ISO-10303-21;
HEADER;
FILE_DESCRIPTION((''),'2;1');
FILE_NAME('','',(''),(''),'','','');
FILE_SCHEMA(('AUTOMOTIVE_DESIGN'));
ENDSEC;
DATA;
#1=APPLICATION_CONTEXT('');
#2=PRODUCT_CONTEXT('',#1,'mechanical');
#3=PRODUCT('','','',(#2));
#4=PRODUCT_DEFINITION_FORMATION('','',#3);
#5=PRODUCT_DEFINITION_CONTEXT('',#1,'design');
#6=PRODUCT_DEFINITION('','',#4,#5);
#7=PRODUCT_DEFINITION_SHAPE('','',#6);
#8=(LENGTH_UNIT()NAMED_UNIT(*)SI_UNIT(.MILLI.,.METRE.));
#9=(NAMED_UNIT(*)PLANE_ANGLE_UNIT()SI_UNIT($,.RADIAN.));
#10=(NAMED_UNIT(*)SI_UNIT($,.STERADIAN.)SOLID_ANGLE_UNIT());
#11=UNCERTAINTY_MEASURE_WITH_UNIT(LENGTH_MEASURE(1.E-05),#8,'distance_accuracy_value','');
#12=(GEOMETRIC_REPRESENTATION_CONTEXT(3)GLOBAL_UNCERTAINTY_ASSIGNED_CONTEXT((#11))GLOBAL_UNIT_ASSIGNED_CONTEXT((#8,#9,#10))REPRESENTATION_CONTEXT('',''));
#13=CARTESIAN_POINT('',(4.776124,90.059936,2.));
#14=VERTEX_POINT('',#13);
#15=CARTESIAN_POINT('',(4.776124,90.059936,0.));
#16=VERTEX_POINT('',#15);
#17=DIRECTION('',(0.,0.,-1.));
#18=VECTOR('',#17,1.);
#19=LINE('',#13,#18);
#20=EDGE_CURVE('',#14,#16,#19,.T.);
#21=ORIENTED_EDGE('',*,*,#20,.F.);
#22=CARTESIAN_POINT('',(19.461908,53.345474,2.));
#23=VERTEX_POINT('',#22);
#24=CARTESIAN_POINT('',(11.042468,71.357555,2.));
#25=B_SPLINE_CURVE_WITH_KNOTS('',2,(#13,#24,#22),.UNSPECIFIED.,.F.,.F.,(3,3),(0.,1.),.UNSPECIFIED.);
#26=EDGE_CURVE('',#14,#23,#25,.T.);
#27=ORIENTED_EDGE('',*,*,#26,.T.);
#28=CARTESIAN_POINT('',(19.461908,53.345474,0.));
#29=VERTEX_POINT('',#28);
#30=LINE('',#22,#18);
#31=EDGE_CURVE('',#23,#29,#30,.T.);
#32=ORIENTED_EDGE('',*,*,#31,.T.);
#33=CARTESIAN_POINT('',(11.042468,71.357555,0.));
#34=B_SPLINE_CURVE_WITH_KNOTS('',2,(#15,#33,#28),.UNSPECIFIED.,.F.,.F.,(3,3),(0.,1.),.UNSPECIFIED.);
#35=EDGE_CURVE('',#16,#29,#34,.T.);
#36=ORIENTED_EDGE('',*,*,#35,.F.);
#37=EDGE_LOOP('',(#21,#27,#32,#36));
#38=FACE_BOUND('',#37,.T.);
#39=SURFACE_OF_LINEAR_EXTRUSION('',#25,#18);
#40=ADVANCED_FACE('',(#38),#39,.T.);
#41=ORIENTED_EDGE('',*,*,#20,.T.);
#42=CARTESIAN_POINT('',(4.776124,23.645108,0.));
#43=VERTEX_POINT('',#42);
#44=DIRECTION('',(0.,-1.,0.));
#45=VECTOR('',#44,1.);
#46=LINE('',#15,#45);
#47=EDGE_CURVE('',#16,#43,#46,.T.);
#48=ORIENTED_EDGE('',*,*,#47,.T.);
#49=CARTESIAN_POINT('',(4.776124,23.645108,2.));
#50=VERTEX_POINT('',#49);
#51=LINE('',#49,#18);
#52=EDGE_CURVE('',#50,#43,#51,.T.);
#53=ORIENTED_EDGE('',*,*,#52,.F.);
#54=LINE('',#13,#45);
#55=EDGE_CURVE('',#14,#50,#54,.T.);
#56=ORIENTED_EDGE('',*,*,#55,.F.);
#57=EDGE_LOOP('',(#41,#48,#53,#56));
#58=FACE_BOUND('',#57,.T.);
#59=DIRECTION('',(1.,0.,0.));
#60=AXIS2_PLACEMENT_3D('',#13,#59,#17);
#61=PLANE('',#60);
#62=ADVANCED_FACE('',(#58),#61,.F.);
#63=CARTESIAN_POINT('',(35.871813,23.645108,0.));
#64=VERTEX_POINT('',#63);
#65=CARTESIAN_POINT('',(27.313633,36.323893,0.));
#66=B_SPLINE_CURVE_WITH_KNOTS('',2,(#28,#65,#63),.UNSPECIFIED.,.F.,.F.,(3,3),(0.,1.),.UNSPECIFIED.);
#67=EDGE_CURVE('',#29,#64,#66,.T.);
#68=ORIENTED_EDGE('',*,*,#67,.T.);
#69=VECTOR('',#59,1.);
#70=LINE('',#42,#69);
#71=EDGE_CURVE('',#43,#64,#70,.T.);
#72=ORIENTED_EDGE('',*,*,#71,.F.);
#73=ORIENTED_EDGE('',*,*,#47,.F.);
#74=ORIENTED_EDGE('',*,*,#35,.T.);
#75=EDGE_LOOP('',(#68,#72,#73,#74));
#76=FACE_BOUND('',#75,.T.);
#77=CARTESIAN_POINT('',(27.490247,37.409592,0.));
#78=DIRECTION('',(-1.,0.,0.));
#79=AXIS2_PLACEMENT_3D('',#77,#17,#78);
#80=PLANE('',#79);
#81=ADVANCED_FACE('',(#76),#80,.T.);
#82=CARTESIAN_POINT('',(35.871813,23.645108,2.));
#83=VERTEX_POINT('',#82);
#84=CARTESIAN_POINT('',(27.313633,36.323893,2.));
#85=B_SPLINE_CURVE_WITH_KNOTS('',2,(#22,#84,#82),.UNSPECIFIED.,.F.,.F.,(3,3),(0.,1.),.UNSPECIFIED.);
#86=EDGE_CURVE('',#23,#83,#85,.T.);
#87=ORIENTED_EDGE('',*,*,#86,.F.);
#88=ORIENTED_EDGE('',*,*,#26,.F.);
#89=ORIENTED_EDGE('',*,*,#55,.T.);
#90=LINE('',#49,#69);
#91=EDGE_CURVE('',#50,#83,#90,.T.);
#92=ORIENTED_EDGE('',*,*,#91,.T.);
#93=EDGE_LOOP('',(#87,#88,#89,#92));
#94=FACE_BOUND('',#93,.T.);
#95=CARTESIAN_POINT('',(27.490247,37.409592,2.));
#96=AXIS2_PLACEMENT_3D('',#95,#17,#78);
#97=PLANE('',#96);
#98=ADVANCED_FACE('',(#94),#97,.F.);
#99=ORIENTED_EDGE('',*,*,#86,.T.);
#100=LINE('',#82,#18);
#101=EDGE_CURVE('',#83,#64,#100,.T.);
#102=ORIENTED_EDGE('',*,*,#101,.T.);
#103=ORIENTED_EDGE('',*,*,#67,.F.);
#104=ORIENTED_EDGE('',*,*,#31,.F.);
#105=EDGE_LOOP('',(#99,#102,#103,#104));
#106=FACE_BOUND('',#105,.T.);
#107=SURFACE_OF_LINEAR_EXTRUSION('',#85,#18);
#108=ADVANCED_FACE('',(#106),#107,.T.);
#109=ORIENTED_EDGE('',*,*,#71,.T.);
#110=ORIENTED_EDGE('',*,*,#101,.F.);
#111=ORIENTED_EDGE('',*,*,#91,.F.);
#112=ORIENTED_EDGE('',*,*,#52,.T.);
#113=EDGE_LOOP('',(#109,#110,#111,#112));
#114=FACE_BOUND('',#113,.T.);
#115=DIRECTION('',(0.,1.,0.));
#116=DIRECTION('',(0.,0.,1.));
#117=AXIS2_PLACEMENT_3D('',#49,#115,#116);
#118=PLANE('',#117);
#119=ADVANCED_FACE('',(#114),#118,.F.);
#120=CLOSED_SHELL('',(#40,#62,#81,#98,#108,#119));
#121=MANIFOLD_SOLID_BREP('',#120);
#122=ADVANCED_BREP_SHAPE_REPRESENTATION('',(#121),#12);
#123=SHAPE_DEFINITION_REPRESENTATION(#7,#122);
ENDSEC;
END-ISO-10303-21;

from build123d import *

# Parameters (mm, degrees)
BOSS_EXTRUDE1_DEPTH = 2


with BuildPart() as part:
    # Sketch1 → Boss-Extrude1 (new body)
    with BuildSketch(Plane.XY):
        with BuildLine():
            Line((4.776123669, 90.059935933), (4.776123669, 23.645107557))
            Line((4.776123669, 23.645107557), (35.871812629, 23.645107557))
            add(Edge.make_bspline(
                [(19.461908342, 53.345474249), (27.31363262, 36.323892756), (35.871812629, 23.645107557)],
                knots=[0, 0, 0, 1, 1, 1], degree=2))
            add(Edge.make_bspline(
                [(4.776123669, 90.059935933), (11.042468272, 71.357555054), (19.461908342, 53.345474249)],
                knots=[0, 0, 0, 1, 1, 1], degree=2))
        make_face()
    extrude(amount=BOSS_EXTRUDE1_DEPTH)


solid = part.part
